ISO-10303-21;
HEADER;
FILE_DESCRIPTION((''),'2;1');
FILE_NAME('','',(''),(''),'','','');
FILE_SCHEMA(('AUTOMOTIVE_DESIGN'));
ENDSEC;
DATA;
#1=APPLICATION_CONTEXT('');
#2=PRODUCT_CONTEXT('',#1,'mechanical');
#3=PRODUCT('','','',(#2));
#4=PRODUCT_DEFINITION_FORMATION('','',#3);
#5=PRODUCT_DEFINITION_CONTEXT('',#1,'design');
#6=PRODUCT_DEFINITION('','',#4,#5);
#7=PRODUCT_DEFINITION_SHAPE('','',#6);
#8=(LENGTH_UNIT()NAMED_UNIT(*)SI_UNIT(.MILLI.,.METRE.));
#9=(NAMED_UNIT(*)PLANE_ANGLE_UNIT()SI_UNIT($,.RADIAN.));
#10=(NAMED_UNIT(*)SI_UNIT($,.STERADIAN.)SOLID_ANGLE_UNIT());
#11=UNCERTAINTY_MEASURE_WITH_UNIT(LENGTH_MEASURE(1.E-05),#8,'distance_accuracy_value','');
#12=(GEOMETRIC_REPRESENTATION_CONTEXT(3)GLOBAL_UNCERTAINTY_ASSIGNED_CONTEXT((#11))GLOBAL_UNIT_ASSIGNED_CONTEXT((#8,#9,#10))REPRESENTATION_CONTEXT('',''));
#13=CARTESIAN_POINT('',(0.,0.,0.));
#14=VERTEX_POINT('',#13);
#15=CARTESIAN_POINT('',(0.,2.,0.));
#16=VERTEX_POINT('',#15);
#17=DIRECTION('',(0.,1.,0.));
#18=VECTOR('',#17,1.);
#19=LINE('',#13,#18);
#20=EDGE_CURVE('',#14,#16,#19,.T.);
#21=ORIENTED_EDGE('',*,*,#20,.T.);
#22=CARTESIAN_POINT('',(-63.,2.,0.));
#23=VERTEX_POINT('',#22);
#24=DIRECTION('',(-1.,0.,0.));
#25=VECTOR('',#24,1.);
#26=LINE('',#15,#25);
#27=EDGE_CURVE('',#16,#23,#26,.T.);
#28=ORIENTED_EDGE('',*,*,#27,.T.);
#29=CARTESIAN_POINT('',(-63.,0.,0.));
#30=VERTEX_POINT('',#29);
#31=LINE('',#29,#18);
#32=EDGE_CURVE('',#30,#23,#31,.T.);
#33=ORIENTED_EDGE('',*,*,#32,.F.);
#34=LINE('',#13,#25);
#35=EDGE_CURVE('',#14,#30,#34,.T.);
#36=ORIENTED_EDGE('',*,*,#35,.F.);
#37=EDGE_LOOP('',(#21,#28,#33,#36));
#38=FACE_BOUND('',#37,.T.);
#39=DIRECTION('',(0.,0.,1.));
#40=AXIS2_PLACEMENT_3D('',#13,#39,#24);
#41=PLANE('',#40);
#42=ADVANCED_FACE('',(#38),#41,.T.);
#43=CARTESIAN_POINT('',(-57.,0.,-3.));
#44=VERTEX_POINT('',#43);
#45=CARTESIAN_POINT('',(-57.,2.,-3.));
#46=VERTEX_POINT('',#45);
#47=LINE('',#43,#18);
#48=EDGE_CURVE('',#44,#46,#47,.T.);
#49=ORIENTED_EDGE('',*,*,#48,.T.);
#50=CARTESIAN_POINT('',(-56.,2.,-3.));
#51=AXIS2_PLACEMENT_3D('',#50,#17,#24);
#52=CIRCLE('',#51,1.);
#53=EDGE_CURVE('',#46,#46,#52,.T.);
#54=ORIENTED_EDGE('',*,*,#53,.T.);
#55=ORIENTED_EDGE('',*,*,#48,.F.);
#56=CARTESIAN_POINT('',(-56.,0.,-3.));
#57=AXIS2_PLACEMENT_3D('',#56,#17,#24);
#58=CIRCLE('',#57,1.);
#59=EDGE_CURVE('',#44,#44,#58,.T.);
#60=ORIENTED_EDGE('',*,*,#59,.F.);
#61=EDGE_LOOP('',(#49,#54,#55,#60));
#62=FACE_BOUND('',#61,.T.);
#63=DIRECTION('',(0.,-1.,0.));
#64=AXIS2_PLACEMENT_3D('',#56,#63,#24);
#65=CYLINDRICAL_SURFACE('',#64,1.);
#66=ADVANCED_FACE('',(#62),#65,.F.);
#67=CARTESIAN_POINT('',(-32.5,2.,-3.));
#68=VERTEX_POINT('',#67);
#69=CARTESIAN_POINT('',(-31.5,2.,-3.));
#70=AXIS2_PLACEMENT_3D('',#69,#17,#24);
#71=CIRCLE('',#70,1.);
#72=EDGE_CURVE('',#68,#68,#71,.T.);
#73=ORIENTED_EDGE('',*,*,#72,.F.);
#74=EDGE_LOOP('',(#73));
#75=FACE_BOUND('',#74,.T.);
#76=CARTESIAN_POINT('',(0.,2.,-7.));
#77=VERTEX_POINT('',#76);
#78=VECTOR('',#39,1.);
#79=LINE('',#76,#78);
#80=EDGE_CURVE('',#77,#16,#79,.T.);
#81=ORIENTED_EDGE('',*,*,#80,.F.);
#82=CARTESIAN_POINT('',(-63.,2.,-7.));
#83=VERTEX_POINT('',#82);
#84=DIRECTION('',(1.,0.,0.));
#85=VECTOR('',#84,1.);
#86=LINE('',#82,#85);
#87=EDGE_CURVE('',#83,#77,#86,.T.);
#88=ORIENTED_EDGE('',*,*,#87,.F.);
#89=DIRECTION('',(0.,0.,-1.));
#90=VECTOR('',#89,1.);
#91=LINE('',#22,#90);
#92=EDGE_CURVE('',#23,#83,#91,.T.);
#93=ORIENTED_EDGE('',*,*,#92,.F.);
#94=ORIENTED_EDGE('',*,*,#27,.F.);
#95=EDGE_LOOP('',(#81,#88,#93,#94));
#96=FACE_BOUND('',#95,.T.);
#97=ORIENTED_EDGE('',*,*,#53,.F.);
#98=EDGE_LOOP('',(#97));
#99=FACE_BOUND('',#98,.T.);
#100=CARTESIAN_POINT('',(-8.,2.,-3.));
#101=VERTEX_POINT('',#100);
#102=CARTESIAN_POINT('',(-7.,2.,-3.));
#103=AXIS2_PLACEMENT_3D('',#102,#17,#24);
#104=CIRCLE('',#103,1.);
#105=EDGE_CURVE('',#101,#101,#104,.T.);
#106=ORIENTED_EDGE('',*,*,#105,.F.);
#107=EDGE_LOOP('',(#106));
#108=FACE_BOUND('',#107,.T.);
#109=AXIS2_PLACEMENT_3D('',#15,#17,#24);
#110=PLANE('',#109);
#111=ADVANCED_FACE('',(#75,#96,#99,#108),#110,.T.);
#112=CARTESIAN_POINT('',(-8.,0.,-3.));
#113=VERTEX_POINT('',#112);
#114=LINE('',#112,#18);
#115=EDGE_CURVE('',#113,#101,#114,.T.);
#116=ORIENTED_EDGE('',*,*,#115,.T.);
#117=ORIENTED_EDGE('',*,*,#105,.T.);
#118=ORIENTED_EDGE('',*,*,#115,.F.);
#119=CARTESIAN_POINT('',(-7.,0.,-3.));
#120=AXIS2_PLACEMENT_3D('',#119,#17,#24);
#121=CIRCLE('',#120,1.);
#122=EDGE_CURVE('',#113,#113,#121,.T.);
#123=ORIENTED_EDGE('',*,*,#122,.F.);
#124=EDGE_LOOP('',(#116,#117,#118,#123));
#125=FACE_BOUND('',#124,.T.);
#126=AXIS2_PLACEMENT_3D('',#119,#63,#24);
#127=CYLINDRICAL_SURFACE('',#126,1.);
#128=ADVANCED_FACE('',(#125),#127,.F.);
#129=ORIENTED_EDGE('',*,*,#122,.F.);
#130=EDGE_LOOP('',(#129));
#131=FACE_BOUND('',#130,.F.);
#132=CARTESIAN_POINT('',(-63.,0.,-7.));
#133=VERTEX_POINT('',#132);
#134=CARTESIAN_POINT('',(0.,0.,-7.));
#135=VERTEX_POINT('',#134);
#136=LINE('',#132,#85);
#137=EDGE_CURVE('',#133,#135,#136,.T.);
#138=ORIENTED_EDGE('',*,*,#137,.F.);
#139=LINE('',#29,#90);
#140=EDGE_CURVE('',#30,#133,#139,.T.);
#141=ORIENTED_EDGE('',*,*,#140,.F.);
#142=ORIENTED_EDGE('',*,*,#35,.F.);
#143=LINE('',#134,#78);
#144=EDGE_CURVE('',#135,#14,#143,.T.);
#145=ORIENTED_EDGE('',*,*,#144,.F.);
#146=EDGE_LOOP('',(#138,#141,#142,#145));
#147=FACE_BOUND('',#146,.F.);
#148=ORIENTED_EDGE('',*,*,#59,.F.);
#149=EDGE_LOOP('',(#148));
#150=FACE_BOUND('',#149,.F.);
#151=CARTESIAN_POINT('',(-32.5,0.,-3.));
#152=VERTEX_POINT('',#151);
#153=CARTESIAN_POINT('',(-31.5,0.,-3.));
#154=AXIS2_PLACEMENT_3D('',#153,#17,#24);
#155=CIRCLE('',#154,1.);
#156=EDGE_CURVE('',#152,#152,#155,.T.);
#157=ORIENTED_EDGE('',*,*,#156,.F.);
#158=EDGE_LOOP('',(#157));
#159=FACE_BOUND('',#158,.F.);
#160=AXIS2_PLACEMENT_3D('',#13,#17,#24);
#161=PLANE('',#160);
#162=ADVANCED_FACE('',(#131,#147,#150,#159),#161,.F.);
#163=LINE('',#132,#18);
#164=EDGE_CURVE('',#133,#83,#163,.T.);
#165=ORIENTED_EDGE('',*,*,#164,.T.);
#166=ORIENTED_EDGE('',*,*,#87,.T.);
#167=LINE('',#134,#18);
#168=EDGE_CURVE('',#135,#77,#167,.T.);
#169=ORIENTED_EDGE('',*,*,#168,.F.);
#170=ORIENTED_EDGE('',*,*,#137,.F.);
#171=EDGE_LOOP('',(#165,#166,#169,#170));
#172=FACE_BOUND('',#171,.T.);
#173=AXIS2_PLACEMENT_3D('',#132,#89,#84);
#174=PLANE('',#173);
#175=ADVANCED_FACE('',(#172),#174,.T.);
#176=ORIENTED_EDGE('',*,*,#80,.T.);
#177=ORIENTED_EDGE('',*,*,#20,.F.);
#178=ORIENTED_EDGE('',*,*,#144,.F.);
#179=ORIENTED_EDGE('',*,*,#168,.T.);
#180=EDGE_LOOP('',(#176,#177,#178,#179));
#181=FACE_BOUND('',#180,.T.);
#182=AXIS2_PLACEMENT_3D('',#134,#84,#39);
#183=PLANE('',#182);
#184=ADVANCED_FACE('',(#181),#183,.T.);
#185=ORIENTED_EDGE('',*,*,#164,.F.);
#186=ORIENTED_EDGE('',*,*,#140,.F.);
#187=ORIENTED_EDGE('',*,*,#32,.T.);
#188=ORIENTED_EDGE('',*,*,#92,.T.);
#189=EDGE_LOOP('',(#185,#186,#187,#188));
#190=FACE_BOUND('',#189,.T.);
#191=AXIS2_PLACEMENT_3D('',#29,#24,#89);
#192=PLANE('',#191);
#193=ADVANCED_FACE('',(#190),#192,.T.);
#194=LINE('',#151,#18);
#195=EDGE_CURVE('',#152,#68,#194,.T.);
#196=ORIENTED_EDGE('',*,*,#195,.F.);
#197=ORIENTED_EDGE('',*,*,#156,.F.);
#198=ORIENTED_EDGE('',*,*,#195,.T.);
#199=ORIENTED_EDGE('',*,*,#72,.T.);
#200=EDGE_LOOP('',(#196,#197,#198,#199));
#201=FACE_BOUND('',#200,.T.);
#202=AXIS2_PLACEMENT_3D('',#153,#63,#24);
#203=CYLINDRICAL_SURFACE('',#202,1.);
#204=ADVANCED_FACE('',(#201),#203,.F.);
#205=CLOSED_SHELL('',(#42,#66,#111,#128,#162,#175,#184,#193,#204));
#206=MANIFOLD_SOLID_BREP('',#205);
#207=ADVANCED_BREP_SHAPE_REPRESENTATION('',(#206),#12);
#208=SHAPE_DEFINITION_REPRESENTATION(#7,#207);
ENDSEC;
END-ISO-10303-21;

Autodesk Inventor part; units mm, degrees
ref_plane "YZ Plane" through (0, 0, 0) normal (1, 0, 0) x (0, 1, 0)
ref_plane "XZ Plane" through (0, 0, 0) normal (0, 1, 0) x (-1, 0, 0)
ref_plane "XY Plane" through (0, 0, 0) normal (0, 0, 1) x (1, 0, 0)
sketch "Sketch1" plane through (0, 0, 0) normal (0, 1, 0) x (-1, 0, 0)
  line L0 (0, 0) -> (63, 0)
  line L1 (63, 0) -> (63, -7)
  line L2 (63, -7) -> (0, -7)
  line L3 (0, -7) -> (0, 0)
  circle A0 centre (31.5, -3) radius 1
  line L4 (31.5, 0) -> (31.5, -6) construction
  circle A1 centre (7, -3) radius 1
  circle A2 centre (56, -3) radius 1
  line L5 (63, -3) -> (0, -3) construction
  dimension "d0" = 63
  dimension "d1" = 7
  dimension "d2" = 2
  dimension "d3" = 31.5
  dimension "d5" = 7
  dimension "d6" = 2
  dimension "d9" = 3
extrude "Extrusion1" add sketch "Sketch1" along normal blind 2
equation "\"d3\" = 0.5 * d0"
equation "\"d6\" = d2"
properties part number "Seal"
